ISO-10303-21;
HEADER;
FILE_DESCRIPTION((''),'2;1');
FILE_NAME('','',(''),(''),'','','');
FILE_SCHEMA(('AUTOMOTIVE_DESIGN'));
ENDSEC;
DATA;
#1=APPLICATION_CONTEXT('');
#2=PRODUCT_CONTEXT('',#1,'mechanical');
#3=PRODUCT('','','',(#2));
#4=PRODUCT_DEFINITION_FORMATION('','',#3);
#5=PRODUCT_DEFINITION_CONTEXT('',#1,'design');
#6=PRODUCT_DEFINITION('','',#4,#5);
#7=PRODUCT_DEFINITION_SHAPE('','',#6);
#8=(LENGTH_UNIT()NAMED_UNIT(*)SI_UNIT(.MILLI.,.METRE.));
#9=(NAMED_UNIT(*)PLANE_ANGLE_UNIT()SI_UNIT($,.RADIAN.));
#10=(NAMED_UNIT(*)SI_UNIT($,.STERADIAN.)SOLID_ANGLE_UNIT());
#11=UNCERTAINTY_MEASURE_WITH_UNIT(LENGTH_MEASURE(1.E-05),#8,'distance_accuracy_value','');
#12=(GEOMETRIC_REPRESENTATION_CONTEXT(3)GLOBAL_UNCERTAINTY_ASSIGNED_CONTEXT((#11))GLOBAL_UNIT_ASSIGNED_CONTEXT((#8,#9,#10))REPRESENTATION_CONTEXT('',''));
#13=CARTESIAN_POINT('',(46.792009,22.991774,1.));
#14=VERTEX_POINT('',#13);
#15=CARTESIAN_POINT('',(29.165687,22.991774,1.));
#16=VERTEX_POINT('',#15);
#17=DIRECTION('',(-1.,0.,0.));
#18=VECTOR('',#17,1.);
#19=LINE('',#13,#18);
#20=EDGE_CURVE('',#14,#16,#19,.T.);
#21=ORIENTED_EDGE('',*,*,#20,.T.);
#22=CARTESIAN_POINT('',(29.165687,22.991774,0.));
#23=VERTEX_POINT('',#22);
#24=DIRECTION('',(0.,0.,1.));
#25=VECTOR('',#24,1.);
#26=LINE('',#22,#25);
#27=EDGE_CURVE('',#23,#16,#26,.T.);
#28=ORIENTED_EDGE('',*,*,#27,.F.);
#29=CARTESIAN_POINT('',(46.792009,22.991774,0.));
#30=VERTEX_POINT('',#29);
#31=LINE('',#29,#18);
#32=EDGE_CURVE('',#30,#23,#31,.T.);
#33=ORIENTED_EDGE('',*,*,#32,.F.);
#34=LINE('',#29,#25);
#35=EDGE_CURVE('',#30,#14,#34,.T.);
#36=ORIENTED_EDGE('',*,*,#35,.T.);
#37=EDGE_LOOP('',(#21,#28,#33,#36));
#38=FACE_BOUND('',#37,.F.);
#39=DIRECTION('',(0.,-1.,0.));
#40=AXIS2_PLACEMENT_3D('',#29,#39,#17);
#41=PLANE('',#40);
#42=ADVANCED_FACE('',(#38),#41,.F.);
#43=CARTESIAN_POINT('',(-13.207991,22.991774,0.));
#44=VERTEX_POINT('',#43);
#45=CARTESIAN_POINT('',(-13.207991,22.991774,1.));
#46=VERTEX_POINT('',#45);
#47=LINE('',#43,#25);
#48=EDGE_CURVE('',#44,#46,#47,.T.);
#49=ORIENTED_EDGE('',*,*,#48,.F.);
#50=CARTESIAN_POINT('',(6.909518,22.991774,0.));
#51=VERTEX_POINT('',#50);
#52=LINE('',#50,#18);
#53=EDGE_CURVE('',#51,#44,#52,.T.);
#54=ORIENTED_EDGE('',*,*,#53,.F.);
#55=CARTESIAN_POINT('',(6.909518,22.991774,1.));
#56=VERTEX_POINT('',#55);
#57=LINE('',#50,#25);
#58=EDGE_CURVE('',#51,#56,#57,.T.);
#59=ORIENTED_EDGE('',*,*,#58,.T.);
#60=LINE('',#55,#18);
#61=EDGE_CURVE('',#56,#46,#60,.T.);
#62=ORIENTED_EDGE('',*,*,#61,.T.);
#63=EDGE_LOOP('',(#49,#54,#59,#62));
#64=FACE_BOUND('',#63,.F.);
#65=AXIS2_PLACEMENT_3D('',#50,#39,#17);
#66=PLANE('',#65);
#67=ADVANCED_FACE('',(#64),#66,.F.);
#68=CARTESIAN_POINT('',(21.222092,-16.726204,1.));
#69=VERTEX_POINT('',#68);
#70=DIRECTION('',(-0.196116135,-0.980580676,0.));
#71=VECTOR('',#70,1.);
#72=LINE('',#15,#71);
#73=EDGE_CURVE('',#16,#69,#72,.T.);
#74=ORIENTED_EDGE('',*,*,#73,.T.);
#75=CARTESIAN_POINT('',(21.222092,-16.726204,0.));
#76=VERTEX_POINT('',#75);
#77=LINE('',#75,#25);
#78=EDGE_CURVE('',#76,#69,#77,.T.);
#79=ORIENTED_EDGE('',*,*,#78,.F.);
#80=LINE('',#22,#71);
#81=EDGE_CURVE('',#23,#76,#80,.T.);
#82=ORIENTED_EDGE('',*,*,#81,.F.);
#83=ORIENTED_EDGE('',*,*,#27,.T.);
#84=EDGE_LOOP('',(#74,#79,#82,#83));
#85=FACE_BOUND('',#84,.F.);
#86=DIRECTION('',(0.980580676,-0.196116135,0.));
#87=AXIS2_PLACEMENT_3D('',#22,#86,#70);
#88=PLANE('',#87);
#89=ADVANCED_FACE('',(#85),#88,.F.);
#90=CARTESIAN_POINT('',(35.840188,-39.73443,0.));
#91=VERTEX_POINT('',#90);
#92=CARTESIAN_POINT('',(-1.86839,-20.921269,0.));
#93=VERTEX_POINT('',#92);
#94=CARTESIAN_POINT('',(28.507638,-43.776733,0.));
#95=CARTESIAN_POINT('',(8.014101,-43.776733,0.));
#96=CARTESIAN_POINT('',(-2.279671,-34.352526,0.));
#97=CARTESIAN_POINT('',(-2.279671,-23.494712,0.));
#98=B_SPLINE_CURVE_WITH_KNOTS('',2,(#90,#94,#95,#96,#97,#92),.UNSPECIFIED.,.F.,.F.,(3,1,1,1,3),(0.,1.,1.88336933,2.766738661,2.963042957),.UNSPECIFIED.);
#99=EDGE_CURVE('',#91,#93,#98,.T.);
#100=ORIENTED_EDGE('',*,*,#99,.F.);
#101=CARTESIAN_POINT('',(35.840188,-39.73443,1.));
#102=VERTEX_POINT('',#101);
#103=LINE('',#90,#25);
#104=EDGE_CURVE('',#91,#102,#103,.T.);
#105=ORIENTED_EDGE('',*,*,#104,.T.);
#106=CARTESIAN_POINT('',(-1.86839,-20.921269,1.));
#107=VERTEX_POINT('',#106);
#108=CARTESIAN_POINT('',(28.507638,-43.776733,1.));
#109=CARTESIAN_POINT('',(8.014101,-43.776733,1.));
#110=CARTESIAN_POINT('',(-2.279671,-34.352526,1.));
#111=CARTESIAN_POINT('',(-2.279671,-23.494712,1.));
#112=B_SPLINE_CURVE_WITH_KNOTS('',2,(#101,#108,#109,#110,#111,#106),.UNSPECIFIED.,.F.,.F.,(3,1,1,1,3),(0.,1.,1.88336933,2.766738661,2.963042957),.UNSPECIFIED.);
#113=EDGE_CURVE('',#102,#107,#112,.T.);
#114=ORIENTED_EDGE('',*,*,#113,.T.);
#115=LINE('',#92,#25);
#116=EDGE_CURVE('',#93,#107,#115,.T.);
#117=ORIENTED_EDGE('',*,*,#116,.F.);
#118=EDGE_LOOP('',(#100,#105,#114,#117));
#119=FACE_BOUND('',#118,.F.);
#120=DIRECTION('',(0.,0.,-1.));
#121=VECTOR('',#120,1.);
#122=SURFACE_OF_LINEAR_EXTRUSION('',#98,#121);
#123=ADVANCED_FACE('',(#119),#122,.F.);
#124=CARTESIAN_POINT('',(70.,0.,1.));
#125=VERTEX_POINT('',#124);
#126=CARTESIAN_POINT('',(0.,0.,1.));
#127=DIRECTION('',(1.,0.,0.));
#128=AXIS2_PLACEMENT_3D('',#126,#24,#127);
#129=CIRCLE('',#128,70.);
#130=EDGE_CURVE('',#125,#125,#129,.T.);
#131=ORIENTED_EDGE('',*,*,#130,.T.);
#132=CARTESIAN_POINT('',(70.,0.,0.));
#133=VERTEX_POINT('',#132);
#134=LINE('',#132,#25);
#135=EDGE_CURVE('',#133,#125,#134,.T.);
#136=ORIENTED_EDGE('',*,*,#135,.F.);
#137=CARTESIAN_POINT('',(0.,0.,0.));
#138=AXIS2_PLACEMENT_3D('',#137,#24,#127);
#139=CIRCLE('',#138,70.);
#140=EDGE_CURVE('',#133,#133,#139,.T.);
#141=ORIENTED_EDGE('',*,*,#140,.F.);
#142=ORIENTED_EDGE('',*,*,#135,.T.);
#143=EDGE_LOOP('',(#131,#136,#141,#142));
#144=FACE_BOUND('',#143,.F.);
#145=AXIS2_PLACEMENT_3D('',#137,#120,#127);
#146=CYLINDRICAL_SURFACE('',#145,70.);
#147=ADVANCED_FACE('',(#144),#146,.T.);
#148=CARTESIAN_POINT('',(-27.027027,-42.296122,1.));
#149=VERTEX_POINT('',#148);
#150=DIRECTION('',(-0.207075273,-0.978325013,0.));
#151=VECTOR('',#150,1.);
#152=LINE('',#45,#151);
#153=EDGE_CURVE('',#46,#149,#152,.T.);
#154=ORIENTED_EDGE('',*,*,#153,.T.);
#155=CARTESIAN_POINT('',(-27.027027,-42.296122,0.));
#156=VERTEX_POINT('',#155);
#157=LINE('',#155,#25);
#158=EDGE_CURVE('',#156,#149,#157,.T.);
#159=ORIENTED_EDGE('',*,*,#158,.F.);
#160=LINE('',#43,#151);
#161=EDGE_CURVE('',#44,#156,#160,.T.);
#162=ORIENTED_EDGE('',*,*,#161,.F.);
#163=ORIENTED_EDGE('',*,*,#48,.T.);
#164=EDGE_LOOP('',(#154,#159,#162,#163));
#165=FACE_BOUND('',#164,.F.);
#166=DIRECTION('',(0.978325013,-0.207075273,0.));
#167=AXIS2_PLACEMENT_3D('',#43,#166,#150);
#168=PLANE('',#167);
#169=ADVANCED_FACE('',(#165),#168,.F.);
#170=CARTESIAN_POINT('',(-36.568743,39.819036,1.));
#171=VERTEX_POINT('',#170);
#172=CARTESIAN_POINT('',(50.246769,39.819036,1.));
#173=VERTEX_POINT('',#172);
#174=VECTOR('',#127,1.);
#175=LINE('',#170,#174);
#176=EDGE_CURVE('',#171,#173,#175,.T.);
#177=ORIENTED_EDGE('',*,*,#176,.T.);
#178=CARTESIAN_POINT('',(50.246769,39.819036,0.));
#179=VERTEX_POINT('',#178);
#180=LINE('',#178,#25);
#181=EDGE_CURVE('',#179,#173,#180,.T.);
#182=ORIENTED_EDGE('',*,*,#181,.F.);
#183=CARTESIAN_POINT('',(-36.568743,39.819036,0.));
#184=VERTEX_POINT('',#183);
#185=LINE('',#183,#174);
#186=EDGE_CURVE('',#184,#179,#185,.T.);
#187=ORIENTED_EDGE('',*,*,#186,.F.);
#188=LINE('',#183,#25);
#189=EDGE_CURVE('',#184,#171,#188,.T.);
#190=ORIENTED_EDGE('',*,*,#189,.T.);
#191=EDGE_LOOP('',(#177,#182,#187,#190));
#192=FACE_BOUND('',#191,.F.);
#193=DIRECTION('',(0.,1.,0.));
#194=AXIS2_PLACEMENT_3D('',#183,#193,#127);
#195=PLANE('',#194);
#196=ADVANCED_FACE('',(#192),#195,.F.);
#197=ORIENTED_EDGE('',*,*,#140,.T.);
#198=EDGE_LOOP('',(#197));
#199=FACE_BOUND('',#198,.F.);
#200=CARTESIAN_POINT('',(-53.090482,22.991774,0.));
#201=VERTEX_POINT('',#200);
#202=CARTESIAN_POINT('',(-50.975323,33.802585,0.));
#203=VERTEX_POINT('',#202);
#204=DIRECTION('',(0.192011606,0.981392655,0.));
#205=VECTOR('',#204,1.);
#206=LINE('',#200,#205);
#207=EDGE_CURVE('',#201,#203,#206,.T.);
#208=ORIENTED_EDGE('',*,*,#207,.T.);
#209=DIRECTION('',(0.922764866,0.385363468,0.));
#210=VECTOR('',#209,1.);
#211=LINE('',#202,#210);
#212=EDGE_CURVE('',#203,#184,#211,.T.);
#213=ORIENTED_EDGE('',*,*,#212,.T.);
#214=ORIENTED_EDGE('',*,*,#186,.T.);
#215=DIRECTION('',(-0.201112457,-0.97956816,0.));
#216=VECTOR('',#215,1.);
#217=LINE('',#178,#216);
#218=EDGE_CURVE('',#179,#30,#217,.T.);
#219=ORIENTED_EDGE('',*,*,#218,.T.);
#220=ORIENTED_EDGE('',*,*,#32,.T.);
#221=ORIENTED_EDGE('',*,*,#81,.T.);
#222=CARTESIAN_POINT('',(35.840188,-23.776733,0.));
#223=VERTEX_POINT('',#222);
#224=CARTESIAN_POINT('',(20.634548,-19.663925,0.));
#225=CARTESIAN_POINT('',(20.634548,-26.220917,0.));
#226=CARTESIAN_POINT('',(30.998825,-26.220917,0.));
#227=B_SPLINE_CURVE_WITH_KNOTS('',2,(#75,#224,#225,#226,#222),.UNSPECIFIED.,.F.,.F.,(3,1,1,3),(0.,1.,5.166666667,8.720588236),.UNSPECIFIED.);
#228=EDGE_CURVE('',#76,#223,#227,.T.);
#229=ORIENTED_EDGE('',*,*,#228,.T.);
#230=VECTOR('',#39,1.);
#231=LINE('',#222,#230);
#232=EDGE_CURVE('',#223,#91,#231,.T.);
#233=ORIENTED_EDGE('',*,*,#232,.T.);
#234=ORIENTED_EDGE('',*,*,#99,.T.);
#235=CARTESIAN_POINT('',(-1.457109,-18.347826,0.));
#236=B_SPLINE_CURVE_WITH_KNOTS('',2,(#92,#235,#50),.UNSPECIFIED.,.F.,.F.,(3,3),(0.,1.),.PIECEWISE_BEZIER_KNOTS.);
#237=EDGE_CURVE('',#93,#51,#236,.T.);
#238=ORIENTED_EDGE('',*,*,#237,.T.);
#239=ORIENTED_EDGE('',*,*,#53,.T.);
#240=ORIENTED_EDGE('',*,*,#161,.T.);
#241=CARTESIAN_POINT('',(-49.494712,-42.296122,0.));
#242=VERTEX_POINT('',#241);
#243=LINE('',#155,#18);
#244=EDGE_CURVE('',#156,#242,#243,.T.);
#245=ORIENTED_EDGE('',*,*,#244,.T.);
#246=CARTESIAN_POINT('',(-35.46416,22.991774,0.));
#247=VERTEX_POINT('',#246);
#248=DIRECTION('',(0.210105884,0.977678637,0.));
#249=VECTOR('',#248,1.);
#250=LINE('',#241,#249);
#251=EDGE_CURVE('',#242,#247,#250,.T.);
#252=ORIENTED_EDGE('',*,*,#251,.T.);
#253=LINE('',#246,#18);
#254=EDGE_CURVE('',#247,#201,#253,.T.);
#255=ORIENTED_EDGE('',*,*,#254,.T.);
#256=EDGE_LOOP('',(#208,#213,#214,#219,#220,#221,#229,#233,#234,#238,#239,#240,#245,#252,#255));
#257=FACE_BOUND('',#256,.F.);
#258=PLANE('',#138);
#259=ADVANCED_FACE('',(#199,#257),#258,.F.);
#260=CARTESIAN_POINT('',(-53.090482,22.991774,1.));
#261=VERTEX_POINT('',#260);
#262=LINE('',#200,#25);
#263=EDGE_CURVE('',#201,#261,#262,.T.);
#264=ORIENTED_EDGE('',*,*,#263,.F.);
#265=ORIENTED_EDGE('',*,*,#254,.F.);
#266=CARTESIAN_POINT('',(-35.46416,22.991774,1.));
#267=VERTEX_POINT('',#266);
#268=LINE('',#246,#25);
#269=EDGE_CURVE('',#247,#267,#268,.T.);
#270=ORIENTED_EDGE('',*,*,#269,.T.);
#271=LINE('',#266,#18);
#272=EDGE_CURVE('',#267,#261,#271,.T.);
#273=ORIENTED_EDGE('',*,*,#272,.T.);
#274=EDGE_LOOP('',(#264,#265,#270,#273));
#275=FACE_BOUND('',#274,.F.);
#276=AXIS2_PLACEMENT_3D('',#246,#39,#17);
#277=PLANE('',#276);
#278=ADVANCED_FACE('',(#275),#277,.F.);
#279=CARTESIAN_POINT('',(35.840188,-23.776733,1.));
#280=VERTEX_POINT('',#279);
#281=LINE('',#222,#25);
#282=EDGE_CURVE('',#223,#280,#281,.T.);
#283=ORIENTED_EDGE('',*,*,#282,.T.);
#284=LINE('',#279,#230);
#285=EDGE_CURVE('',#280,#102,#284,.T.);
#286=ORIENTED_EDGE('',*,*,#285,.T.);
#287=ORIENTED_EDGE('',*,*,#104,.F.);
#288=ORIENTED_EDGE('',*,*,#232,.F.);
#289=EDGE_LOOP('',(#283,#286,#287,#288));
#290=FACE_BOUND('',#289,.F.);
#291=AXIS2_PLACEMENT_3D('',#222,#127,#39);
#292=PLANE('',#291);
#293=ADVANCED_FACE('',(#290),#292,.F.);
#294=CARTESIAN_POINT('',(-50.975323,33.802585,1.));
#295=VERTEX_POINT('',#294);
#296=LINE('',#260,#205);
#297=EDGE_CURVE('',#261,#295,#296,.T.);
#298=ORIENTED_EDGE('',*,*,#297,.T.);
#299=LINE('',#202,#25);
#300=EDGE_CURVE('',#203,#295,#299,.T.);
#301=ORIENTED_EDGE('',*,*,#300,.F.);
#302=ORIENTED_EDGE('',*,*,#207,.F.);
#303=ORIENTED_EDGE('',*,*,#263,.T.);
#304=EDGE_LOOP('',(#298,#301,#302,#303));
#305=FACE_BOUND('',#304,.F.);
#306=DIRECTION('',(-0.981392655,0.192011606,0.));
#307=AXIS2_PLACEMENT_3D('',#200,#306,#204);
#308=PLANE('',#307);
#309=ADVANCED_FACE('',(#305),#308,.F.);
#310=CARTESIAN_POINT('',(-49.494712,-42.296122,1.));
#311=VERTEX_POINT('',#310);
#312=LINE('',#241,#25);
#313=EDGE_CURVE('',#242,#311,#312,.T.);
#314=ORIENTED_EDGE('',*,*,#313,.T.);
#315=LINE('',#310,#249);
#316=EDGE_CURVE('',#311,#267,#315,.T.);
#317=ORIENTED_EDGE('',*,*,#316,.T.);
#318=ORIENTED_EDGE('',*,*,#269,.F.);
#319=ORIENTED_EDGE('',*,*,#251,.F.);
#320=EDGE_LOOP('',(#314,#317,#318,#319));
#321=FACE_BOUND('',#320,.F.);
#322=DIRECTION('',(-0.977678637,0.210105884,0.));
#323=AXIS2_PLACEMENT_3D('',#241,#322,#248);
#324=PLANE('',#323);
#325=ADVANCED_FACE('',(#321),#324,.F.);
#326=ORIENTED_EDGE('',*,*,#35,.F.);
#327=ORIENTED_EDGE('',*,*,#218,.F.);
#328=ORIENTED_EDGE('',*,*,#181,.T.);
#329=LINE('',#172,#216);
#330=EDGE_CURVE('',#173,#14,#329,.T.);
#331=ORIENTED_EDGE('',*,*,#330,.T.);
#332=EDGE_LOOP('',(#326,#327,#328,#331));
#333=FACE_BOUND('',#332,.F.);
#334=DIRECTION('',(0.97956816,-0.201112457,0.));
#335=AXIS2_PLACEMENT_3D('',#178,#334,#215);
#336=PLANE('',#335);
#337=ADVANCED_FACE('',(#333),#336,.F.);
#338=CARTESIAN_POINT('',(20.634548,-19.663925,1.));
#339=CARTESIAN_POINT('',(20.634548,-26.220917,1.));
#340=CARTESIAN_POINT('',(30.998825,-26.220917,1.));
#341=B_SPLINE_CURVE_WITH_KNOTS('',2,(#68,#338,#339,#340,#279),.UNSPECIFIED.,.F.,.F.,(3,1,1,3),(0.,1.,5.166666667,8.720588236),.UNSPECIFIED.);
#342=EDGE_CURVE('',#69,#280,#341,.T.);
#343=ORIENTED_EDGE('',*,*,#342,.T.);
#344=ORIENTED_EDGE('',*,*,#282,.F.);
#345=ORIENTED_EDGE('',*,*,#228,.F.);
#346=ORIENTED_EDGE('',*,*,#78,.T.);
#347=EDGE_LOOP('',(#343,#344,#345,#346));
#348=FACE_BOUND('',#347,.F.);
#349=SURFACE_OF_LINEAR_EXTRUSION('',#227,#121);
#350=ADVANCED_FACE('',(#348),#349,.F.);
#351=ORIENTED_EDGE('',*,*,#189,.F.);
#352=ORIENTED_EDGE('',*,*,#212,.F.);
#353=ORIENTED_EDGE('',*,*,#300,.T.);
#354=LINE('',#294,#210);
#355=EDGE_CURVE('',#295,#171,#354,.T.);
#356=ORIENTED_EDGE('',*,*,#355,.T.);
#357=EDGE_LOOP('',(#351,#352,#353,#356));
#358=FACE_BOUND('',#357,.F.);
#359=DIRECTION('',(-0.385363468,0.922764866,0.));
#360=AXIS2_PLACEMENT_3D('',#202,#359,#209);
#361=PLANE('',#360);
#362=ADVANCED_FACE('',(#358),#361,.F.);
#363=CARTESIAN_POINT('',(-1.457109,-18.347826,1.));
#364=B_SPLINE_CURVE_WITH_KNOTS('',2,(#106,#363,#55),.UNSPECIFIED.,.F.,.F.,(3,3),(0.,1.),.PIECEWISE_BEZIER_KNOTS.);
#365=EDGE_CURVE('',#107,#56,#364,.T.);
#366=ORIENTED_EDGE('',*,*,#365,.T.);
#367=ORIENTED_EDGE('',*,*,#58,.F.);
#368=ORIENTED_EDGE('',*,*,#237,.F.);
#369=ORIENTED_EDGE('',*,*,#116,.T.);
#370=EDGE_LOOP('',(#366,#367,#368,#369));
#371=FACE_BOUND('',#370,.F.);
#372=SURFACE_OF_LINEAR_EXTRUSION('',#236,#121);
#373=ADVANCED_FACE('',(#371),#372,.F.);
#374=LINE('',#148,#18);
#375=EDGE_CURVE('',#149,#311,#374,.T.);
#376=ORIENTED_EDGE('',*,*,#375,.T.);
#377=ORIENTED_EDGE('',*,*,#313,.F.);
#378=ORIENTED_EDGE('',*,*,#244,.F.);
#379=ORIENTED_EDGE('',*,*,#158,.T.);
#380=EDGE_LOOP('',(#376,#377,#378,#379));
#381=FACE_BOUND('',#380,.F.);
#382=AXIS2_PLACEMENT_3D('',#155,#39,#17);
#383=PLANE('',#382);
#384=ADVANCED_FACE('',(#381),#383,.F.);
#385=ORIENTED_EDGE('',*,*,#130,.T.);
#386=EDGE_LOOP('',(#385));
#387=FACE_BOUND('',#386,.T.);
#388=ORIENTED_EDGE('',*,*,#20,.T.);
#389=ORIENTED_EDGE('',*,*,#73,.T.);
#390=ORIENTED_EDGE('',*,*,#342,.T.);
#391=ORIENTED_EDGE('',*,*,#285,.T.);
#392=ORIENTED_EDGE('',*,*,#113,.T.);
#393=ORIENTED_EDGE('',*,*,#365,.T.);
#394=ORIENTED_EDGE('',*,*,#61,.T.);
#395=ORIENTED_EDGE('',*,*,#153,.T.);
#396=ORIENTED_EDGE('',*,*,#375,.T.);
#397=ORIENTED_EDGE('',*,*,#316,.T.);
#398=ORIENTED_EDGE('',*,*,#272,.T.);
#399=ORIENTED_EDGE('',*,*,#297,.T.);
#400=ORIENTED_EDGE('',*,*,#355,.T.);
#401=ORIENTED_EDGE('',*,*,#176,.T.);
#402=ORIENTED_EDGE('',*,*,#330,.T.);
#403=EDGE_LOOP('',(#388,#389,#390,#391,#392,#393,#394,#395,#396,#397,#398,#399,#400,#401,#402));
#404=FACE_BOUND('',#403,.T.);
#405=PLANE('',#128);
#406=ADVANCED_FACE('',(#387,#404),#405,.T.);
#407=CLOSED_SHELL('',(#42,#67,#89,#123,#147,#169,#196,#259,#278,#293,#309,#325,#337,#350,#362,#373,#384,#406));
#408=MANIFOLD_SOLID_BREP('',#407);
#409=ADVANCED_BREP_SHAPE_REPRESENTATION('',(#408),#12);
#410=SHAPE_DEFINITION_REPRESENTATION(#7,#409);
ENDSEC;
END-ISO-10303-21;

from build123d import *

# Parameters (mm, degrees)
F0_R     = 70
F1_DEPTH = 1


with BuildPart() as f1:
    # F0 (on Top) → F1 (new body)
    with BuildSketch(Plane.XY):
        Circle(F0_R)
        with BuildLine():
            add(Edge.make_bspline(
                [(20.6345475911, -20.9330199765), (20.6345475911, -26.2209165687), (26.2279670975, -26.2209165687)],
                knots=[0, 0, 0, 1, 1, 1], degree=2))
            add(Edge.make_bspline(
                [(26.2279670975, -26.2209165687), (30.9988249119, -26.2209165687), (35.8401880141, -23.776733255)],
                knots=[0, 0, 0, 1, 1, 1], degree=2))
            Line((35.8401880141, -23.776733255), (35.8401880141, -39.7344300823))
            add(Edge.make_bspline(
                [(35.8401880141, -39.7344300823), (28.5076380729, -43.776733255), (17.6263219741, -43.776733255)],
                knots=[0, 0, 0, 1, 1, 1], degree=2))
            add(Edge.make_bspline(
                [(17.6263219741, -43.776733255), (8.0141010576, -43.776733255), (2.8672150411, -39.0646298472)],
                knots=[0, 0, 0, 1, 1, 1], degree=2))
            add(Edge.make_bspline(
                [(2.8672150411, -39.0646298472), (-2.2796709753, -34.3525264395), (-2.2796709753, -25.4688601645)],
                knots=[0, 0, 0, 1, 1, 1], degree=2))
            add(Edge.make_bspline(
                [(-2.2796709753, -25.4688601645), (-2.2796709753, -23.4947121034), (-1.8683901293, -20.9212690952)],
                knots=[0, 0, 0, 1, 1, 1], degree=2))
            add(Edge.make_bspline(
                [(-1.8683901293, -20.9212690952), (-1.4571092832, -18.347826087), (6.9095182139, 22.9917743831)],
                knots=[0, 0, 0, 1, 1, 1], degree=2))
            Line((6.9095182139, 22.9917743831), (-13.2079905993, 22.9917743831))
            Line((-13.2079905993, 22.9917743831), (-27.027027027, -42.2961222092))
            Line((-27.027027027, -42.2961222092), (-49.4947121034, -42.2961222092))
            Line((-49.4947121034, -42.2961222092), (-35.464159812, 22.9917743831))
            Line((-35.464159812, 22.9917743831), (-53.0904817861, 22.9917743831))
            Line((-53.0904817861, 22.9917743831), (-50.9753231492, 33.8025851939))
            Line((-50.9753231492, 33.8025851939), (-36.5687426557, 39.8190364277))
            Line((-36.5687426557, 39.8190364277), (50.2467685076, 39.8190364277))
            Line((50.2467685076, 39.8190364277), (46.7920094007, 22.9917743831))
            Line((46.7920094007, 22.9917743831), (29.1656874266, 22.9917743831))
            Line((29.1656874266, 22.9917743831), (21.2220916569, -16.7262044653))
            add(Edge.make_bspline(
                [(21.2220916569, -16.7262044653), (20.6345475911, -19.6639247944), (20.6345475911, -20.9330199765)],
                knots=[0, 0, 0, 1, 1, 1], degree=2))
        make_face(mode=Mode.SUBTRACT)
    extrude(amount=F1_DEPTH)


solid = f1.part
